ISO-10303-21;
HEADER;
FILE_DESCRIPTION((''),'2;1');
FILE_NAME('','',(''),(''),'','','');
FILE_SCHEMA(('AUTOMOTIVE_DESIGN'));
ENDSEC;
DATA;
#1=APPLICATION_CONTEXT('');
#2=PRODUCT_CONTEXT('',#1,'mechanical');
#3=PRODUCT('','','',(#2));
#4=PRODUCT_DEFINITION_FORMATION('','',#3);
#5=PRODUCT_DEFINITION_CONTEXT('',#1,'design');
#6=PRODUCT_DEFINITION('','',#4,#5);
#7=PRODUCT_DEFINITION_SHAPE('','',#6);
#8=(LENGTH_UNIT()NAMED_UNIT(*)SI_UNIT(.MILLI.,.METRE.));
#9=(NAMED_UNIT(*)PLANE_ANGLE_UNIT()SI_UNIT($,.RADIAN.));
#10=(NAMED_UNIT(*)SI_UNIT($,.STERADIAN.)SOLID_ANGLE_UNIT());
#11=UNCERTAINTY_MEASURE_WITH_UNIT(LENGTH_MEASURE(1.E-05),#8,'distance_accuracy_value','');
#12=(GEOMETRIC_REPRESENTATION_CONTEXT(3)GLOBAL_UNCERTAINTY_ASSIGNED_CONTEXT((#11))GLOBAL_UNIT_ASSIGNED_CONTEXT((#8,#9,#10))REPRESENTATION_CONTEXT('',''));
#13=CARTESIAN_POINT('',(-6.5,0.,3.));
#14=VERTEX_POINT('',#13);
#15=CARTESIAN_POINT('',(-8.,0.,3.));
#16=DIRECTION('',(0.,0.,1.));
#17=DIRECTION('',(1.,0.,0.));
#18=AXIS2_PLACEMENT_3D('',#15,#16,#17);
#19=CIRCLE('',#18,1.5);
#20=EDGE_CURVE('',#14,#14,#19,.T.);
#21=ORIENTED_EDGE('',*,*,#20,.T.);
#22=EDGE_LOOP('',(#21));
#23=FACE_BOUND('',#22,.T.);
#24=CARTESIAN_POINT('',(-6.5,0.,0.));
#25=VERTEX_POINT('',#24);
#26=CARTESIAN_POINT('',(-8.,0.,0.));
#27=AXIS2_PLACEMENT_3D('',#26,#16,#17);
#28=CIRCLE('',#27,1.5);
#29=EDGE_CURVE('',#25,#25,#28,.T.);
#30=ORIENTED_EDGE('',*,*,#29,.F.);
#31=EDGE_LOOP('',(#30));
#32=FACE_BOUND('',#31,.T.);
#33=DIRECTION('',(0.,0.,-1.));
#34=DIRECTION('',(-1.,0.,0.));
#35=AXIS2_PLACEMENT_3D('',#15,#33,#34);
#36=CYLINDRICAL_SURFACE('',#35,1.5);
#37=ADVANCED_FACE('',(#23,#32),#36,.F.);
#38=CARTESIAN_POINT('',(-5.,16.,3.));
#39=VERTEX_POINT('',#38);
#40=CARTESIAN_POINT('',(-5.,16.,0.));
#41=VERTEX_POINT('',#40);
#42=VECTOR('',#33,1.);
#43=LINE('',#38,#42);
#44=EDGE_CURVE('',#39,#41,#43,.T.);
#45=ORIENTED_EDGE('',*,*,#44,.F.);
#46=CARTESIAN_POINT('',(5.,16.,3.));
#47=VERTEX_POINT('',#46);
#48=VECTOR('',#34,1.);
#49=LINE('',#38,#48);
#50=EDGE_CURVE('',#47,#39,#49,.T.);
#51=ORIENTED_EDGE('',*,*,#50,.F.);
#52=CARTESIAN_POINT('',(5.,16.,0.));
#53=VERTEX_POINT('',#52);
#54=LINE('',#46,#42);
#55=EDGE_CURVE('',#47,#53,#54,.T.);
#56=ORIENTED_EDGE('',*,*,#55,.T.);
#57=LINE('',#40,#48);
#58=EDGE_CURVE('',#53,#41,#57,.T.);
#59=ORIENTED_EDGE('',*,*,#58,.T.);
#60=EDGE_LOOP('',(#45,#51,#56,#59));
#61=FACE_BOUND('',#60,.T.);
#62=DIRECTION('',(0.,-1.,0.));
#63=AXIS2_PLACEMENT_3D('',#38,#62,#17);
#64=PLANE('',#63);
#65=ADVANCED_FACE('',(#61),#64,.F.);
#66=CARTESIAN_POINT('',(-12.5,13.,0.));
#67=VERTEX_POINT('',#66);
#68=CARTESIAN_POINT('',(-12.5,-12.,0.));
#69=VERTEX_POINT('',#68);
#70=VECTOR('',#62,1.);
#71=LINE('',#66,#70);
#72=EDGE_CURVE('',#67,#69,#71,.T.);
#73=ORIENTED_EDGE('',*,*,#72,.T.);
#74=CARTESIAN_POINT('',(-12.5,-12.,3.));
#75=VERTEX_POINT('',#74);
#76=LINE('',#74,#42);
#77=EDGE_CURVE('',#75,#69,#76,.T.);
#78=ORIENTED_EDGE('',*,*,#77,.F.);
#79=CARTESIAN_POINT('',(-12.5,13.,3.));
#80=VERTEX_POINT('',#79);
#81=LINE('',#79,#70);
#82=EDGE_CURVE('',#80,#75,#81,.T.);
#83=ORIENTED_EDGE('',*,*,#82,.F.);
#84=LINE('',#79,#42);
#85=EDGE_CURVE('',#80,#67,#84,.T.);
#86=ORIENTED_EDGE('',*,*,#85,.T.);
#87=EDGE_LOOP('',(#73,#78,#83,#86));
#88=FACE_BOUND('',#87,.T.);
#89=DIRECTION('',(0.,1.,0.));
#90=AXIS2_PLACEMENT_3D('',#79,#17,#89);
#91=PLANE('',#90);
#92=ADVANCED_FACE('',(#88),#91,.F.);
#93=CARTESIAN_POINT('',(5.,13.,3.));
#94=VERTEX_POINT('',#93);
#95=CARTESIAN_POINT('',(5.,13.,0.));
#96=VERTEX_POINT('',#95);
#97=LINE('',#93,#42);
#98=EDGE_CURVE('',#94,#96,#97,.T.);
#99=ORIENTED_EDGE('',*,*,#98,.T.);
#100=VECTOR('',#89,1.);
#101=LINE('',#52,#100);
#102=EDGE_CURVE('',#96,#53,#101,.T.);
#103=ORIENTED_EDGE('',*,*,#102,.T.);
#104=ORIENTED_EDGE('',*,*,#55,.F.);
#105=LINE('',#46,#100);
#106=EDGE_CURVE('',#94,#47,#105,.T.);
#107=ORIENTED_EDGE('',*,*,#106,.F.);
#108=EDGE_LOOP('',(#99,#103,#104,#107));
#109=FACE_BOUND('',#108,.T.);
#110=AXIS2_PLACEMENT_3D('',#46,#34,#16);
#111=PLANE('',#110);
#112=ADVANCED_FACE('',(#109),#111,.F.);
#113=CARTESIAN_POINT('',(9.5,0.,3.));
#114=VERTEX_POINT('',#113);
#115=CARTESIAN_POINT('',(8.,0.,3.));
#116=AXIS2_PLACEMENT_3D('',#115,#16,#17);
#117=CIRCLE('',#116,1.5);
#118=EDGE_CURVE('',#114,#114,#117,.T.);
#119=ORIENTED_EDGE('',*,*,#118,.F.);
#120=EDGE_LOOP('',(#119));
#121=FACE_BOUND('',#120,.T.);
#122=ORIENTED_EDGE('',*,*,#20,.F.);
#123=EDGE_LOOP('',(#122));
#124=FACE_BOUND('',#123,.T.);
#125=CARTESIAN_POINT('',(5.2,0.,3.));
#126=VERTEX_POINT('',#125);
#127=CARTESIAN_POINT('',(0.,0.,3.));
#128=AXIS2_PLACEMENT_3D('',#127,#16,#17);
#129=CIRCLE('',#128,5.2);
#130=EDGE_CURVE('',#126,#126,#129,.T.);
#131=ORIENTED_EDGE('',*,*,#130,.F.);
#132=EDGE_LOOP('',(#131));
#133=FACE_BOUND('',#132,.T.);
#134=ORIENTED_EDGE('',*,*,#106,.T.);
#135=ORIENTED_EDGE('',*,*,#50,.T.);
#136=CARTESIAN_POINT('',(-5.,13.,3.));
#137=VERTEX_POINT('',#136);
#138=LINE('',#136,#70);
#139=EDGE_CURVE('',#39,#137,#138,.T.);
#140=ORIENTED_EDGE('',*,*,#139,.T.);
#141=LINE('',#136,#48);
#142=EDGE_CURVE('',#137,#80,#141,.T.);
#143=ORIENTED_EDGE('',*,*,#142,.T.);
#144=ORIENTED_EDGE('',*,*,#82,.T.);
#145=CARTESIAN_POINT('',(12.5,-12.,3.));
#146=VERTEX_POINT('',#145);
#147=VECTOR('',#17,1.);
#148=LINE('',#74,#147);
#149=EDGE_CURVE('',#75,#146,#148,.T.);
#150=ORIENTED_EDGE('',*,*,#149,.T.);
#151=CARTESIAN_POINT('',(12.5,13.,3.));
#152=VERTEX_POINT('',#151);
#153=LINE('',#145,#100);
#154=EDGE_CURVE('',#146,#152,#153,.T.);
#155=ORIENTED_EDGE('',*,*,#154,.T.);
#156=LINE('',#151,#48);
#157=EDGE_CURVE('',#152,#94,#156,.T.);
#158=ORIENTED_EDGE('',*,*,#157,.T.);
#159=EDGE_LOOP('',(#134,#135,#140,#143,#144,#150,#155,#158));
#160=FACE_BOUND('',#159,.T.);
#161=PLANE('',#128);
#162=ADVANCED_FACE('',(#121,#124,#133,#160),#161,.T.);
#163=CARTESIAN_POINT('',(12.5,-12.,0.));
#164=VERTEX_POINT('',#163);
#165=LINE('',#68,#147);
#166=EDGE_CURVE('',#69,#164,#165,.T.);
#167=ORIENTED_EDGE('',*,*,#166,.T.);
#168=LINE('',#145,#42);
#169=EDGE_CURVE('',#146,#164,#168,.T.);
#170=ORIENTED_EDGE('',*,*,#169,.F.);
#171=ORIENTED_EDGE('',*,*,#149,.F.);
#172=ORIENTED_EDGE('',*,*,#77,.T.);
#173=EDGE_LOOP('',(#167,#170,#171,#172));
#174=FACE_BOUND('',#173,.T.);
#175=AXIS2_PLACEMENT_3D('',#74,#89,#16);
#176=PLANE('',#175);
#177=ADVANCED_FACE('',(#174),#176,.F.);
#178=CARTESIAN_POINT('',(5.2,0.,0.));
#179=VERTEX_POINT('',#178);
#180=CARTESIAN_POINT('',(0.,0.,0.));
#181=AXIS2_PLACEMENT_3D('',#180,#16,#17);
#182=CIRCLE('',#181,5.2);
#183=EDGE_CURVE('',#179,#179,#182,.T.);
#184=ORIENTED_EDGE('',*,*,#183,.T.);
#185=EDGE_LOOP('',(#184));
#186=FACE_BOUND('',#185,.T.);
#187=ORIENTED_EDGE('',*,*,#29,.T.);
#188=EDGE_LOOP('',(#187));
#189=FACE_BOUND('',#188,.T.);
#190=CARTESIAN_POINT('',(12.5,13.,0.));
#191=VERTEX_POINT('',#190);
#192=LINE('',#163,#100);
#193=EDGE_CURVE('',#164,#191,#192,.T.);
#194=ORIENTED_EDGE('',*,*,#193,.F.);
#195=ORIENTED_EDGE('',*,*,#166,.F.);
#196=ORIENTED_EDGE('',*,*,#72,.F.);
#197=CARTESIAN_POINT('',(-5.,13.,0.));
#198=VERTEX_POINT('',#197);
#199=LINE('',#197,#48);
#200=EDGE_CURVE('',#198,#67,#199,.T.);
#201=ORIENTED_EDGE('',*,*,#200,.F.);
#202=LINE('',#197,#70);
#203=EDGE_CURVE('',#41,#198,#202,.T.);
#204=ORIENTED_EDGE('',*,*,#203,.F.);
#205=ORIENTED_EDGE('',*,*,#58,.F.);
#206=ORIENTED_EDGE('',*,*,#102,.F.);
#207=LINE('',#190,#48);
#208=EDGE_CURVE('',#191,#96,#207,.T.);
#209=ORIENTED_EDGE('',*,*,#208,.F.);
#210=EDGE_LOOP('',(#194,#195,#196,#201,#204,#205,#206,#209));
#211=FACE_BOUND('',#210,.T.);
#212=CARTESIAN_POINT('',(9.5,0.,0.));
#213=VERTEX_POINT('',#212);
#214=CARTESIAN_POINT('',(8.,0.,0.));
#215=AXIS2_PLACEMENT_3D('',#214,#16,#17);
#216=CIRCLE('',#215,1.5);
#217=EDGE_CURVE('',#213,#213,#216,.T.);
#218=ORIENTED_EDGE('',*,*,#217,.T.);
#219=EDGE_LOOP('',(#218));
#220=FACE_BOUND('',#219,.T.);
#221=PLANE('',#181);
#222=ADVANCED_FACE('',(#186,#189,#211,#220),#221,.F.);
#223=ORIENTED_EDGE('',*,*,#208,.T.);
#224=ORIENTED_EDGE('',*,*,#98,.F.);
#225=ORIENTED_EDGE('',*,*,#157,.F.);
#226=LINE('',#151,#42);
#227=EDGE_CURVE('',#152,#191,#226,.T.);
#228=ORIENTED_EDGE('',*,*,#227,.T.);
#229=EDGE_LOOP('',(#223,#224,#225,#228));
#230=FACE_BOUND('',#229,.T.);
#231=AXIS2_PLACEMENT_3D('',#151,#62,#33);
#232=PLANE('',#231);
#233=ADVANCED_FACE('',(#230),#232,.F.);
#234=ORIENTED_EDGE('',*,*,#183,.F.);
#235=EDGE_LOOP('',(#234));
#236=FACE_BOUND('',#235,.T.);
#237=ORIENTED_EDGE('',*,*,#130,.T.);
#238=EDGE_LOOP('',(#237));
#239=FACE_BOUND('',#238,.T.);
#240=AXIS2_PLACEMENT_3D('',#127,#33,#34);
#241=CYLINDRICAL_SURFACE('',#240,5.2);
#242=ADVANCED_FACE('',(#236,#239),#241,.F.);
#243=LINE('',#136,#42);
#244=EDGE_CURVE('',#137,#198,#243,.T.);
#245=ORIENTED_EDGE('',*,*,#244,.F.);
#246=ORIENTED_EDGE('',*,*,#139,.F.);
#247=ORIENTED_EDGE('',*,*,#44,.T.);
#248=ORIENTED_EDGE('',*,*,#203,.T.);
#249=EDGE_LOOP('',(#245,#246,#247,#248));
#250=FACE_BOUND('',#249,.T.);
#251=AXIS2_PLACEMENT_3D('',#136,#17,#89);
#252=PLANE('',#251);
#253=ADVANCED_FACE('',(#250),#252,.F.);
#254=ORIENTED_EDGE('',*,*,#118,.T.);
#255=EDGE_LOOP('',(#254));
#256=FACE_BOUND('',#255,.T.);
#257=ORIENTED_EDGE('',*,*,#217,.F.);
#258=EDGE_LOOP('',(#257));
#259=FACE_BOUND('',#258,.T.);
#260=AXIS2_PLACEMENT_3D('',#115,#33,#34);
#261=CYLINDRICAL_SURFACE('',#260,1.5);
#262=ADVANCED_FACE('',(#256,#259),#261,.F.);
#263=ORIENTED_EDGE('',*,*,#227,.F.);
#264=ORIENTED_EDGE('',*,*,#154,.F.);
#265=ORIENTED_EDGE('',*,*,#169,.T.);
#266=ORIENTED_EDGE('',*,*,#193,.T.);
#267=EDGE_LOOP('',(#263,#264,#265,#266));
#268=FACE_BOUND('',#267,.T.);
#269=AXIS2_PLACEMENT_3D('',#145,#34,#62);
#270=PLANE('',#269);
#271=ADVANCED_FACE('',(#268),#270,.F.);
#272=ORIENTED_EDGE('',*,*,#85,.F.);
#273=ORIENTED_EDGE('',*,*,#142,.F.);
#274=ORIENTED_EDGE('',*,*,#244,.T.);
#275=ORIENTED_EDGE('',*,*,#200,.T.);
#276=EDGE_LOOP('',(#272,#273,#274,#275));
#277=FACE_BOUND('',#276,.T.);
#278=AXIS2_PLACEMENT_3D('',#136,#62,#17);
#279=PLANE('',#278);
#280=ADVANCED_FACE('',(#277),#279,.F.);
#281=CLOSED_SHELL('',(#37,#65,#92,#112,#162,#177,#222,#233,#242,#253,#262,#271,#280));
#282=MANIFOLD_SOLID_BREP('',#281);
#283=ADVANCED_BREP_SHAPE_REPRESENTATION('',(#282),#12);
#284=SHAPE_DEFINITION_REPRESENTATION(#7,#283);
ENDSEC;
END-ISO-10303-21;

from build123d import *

# Parameters (mm, degrees)
SKETCH1_R           = 5.2
SKETCH1_R_2         = 1.5
BOSS_EXTRUDE1_DEPTH = 3


with BuildPart() as part:
    # Sketch1 → Boss-Extrude1 (new body)
    with BuildSketch(Plane.XY):
        Polygon((-12.5, 13), (-12.5, -12), (12.5, -12), (12.5, 13), (5, 13), (5, 16), (-5, 16), (-5, 13), align=None)
        Circle(SKETCH1_R, mode=Mode.SUBTRACT)
        with Locations((-8, 0)):
            Circle(SKETCH1_R_2, mode=Mode.SUBTRACT)
        with Locations((8, 0)):
            Circle(SKETCH1_R_2, mode=Mode.SUBTRACT)
    extrude(amount=BOSS_EXTRUDE1_DEPTH)


solid = part.part
